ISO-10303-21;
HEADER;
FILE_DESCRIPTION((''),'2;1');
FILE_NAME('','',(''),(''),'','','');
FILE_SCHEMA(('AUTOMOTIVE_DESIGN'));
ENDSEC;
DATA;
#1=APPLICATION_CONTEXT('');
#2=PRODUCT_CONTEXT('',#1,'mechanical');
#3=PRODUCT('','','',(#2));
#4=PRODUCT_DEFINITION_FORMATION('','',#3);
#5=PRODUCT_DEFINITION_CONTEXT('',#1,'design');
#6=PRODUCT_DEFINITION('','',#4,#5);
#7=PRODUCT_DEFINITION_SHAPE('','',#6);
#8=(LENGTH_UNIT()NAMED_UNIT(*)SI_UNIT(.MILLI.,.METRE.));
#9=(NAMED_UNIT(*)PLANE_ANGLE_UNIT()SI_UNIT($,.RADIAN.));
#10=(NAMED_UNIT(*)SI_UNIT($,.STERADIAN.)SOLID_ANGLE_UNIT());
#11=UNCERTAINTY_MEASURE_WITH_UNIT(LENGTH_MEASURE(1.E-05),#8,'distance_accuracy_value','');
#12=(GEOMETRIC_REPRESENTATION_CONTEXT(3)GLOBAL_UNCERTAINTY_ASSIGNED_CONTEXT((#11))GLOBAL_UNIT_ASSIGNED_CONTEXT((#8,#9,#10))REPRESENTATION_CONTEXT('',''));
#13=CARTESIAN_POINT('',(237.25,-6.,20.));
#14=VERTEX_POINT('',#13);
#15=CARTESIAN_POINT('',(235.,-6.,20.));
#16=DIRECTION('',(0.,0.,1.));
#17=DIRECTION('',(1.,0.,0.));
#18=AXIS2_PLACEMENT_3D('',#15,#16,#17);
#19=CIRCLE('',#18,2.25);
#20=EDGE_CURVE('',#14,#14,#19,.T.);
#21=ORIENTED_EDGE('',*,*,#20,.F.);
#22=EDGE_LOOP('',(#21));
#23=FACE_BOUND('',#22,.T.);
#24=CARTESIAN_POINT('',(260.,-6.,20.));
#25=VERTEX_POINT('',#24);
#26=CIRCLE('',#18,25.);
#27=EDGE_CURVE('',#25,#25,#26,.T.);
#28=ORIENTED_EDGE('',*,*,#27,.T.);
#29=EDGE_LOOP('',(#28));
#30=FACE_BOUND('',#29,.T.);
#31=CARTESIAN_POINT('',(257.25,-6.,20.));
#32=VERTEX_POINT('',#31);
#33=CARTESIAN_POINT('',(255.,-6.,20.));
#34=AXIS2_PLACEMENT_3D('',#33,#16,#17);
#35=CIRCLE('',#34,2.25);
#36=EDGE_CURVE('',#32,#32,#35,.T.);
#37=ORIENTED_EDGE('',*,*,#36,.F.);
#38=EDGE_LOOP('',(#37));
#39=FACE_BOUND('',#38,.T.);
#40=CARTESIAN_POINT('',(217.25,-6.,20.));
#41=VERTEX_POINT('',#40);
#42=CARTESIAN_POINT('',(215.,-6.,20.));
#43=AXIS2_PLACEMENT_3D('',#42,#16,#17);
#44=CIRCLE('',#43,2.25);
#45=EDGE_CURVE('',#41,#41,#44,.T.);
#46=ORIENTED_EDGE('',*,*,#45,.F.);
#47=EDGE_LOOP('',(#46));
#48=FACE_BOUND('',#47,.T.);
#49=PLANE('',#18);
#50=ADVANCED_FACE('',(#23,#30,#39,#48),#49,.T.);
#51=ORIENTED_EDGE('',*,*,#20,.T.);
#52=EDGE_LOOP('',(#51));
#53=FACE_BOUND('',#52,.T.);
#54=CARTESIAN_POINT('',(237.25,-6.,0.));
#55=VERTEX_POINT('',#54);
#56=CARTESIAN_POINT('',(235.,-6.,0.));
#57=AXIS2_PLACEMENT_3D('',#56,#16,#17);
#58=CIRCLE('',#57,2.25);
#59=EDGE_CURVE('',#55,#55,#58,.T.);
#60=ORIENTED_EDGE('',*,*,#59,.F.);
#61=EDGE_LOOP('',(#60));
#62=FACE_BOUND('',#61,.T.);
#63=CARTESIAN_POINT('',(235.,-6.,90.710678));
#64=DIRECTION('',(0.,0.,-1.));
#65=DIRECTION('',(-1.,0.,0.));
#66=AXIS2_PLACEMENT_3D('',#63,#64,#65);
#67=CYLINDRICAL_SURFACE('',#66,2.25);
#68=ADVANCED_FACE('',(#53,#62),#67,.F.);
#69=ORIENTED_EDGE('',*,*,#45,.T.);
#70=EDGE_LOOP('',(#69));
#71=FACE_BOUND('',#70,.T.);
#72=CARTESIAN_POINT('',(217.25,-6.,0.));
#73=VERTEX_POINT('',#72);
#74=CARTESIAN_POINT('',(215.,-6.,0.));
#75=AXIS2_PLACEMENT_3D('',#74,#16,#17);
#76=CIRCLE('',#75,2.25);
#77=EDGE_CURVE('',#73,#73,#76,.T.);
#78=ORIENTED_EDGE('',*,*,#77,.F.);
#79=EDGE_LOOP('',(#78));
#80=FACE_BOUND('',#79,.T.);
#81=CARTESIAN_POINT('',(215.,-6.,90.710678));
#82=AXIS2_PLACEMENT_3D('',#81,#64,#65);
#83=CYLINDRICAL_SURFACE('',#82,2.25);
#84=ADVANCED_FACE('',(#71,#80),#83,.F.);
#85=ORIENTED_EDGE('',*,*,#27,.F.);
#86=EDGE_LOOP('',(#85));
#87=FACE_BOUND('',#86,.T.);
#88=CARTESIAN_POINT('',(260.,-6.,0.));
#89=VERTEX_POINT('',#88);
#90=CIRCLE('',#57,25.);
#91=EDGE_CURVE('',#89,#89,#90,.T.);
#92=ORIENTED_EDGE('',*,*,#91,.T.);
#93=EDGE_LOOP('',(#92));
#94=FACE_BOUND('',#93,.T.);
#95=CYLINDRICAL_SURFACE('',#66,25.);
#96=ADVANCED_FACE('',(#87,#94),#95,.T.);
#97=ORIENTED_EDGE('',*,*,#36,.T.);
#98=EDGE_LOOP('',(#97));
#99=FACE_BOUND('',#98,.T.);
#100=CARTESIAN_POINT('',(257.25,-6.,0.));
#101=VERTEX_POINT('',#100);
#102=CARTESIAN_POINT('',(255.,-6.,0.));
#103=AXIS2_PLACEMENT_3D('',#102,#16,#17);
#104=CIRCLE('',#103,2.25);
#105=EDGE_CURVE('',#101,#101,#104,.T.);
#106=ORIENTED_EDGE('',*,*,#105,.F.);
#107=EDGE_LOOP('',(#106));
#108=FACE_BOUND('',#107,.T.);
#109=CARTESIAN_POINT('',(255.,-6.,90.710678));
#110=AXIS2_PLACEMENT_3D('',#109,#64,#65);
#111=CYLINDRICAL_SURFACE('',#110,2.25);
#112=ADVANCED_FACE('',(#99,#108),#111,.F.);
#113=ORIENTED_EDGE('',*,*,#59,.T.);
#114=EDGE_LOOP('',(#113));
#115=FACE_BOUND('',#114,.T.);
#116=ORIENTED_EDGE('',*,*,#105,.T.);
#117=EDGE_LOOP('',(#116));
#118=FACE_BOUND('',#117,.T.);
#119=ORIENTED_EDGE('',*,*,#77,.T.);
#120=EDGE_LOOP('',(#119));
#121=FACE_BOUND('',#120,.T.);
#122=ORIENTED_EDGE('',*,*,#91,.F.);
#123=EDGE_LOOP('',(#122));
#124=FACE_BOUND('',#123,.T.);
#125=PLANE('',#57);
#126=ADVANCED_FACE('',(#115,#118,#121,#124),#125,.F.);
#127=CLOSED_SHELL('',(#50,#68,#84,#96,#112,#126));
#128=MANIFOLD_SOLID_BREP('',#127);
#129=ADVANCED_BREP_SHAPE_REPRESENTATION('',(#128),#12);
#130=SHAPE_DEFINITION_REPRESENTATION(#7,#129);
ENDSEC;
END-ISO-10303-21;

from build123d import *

# Parameters (mm, degrees)
SKETCH1_R           = 25
SKETCH1_R_2         = 2.25
BOSS_EXTRUDE1_DEPTH = 20


with BuildPart() as part:
    # Sketch1 → Boss-Extrude1 (new body)
    with BuildSketch(Plane.XY):
        with Locations((235, -6)):
            Circle(SKETCH1_R)
        with Locations((215, -6)):
            Circle(SKETCH1_R_2, mode=Mode.SUBTRACT)
        with Locations((255, -6)):
            Circle(SKETCH1_R_2, mode=Mode.SUBTRACT)
        with Locations((235, -6)):
            Circle(SKETCH1_R_2, mode=Mode.SUBTRACT)
    extrude(amount=BOSS_EXTRUDE1_DEPTH)


solid = part.part
